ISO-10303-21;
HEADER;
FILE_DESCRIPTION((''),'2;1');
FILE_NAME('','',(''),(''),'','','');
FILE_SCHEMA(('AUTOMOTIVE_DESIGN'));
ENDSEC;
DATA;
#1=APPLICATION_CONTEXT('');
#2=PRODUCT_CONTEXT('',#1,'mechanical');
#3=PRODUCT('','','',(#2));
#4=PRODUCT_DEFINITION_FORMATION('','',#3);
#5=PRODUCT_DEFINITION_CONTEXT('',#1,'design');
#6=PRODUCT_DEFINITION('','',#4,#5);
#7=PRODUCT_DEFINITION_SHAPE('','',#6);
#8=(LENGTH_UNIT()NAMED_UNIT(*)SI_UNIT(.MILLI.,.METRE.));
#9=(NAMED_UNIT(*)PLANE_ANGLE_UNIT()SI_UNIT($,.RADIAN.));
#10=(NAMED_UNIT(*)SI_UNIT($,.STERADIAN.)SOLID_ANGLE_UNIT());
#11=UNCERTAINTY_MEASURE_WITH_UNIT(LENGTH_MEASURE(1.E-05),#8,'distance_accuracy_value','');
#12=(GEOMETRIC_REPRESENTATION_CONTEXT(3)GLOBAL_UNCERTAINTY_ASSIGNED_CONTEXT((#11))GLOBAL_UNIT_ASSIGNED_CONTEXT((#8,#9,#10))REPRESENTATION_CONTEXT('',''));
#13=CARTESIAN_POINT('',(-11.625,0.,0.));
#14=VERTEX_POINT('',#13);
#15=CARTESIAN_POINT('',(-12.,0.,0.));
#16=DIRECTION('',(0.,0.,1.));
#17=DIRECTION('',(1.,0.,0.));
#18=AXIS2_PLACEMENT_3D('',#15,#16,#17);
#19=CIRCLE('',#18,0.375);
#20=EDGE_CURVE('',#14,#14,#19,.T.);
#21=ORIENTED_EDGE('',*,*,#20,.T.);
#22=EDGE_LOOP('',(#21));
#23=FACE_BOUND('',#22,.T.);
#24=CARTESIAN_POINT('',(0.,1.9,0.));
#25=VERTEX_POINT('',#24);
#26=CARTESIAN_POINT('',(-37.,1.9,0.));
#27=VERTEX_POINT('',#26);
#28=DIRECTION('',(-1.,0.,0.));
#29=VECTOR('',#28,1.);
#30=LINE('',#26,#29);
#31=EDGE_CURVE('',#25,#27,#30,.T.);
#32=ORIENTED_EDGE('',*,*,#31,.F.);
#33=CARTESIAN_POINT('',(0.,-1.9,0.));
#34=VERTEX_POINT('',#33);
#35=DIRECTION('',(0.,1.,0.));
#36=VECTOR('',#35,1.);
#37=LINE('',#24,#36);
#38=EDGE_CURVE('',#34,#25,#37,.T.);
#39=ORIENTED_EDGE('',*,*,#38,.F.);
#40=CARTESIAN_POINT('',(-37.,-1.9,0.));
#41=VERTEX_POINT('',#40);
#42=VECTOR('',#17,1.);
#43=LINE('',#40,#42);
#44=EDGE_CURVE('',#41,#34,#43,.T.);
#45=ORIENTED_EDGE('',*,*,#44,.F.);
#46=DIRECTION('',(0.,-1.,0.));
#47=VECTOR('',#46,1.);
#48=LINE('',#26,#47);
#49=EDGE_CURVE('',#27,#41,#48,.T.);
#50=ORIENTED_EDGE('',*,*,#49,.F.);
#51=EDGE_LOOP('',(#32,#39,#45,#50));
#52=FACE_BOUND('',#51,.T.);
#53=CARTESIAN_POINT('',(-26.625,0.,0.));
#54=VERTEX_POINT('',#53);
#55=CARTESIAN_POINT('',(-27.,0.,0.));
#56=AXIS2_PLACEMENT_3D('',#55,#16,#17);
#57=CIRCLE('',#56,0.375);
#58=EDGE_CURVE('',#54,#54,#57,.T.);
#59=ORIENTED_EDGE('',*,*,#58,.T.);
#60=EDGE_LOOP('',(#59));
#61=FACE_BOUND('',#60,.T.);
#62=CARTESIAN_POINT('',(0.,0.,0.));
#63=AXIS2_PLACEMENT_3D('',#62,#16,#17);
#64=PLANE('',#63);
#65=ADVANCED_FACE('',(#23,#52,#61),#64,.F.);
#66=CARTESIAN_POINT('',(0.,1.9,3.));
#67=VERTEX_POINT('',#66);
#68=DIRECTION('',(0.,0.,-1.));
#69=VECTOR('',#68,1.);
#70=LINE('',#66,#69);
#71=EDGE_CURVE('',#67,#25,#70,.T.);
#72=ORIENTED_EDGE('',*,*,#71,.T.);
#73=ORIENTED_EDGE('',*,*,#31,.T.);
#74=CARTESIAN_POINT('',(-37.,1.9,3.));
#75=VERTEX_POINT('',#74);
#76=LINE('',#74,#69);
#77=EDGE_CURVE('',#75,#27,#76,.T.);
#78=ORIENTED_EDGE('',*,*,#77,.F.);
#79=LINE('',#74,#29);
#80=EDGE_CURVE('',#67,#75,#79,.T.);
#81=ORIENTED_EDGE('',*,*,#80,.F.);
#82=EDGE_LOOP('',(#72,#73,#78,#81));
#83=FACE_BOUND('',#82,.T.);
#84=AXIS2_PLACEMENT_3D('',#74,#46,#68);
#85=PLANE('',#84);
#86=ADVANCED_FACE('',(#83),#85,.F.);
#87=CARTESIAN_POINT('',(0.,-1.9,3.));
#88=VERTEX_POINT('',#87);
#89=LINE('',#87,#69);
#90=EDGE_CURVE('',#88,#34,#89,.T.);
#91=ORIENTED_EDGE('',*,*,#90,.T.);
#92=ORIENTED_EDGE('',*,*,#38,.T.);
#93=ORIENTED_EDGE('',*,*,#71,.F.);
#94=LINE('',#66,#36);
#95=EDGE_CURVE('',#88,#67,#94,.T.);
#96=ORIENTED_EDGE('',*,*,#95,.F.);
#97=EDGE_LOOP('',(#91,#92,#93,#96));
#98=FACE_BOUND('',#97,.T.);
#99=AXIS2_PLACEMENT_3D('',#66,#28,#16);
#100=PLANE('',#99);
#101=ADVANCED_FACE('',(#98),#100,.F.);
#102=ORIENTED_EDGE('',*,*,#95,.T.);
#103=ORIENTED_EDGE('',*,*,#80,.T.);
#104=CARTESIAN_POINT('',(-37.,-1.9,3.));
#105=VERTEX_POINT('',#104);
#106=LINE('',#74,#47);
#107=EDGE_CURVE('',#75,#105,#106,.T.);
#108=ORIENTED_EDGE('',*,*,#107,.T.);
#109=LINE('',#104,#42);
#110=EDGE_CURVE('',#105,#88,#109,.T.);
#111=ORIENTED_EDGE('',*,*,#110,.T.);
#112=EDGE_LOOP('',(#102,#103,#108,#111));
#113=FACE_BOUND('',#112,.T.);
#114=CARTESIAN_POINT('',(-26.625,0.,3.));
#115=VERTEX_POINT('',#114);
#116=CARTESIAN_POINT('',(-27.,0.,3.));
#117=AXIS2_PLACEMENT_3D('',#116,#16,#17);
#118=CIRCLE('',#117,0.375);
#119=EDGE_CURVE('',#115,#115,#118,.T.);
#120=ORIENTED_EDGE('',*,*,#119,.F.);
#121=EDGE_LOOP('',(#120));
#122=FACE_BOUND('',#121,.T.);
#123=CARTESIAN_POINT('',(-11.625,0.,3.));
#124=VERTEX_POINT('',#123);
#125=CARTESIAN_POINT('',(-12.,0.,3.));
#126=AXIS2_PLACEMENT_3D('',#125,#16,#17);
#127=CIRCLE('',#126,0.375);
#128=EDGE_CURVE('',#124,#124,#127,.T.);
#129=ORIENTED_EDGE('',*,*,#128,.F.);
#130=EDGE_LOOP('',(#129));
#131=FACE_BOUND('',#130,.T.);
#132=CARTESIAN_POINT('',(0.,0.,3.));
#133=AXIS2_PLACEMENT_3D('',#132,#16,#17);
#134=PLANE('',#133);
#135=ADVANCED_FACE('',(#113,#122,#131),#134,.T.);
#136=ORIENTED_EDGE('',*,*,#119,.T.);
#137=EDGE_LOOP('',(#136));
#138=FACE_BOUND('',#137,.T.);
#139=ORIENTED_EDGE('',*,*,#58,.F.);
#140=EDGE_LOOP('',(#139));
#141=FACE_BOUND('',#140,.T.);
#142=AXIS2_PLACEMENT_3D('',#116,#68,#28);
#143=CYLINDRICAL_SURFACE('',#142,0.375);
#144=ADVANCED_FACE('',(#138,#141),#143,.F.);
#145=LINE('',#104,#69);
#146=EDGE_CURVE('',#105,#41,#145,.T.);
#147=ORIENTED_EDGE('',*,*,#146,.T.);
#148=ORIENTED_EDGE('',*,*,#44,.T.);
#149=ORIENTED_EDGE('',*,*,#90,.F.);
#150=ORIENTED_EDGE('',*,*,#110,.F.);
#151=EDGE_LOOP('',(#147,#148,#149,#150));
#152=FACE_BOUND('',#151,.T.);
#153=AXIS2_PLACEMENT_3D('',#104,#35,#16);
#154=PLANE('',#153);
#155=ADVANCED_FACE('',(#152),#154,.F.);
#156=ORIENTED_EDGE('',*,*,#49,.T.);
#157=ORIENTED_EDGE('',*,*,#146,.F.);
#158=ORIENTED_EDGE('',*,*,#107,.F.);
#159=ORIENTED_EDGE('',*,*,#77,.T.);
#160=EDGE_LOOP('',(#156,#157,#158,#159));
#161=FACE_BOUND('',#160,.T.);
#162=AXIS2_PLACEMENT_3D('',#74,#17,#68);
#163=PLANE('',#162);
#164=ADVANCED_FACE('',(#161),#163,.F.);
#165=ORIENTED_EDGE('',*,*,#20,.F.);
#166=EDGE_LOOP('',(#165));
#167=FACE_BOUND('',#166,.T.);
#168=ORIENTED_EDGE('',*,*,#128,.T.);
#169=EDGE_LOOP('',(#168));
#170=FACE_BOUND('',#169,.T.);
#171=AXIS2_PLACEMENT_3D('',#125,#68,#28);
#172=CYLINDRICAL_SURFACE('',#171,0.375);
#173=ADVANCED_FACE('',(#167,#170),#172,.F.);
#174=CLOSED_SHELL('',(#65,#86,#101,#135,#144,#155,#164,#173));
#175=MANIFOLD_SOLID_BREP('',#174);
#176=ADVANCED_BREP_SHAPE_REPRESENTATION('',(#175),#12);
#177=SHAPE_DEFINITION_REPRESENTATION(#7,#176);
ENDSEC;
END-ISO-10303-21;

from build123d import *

# Parameters (mm, degrees)
SKETCH_2_W      = 37
SKETCH_2_H      = 3.8
SKETCH_2_R      = 0.375
EXTRUDE_1_DEPTH = 3


with BuildPart() as part:
    # 草图2 → 凸台-拉伸1 (new body)
    with BuildSketch(Plane.XY):
        with Locations((-18.5, 0)):
            Rectangle(SKETCH_2_W, SKETCH_2_H)
        with Locations((-12, 0)):
            Circle(SKETCH_2_R, mode=Mode.SUBTRACT)
        with Locations((-27, 0)):
            Circle(SKETCH_2_R, mode=Mode.SUBTRACT)
    extrude(amount=EXTRUDE_1_DEPTH)


solid = part.part
